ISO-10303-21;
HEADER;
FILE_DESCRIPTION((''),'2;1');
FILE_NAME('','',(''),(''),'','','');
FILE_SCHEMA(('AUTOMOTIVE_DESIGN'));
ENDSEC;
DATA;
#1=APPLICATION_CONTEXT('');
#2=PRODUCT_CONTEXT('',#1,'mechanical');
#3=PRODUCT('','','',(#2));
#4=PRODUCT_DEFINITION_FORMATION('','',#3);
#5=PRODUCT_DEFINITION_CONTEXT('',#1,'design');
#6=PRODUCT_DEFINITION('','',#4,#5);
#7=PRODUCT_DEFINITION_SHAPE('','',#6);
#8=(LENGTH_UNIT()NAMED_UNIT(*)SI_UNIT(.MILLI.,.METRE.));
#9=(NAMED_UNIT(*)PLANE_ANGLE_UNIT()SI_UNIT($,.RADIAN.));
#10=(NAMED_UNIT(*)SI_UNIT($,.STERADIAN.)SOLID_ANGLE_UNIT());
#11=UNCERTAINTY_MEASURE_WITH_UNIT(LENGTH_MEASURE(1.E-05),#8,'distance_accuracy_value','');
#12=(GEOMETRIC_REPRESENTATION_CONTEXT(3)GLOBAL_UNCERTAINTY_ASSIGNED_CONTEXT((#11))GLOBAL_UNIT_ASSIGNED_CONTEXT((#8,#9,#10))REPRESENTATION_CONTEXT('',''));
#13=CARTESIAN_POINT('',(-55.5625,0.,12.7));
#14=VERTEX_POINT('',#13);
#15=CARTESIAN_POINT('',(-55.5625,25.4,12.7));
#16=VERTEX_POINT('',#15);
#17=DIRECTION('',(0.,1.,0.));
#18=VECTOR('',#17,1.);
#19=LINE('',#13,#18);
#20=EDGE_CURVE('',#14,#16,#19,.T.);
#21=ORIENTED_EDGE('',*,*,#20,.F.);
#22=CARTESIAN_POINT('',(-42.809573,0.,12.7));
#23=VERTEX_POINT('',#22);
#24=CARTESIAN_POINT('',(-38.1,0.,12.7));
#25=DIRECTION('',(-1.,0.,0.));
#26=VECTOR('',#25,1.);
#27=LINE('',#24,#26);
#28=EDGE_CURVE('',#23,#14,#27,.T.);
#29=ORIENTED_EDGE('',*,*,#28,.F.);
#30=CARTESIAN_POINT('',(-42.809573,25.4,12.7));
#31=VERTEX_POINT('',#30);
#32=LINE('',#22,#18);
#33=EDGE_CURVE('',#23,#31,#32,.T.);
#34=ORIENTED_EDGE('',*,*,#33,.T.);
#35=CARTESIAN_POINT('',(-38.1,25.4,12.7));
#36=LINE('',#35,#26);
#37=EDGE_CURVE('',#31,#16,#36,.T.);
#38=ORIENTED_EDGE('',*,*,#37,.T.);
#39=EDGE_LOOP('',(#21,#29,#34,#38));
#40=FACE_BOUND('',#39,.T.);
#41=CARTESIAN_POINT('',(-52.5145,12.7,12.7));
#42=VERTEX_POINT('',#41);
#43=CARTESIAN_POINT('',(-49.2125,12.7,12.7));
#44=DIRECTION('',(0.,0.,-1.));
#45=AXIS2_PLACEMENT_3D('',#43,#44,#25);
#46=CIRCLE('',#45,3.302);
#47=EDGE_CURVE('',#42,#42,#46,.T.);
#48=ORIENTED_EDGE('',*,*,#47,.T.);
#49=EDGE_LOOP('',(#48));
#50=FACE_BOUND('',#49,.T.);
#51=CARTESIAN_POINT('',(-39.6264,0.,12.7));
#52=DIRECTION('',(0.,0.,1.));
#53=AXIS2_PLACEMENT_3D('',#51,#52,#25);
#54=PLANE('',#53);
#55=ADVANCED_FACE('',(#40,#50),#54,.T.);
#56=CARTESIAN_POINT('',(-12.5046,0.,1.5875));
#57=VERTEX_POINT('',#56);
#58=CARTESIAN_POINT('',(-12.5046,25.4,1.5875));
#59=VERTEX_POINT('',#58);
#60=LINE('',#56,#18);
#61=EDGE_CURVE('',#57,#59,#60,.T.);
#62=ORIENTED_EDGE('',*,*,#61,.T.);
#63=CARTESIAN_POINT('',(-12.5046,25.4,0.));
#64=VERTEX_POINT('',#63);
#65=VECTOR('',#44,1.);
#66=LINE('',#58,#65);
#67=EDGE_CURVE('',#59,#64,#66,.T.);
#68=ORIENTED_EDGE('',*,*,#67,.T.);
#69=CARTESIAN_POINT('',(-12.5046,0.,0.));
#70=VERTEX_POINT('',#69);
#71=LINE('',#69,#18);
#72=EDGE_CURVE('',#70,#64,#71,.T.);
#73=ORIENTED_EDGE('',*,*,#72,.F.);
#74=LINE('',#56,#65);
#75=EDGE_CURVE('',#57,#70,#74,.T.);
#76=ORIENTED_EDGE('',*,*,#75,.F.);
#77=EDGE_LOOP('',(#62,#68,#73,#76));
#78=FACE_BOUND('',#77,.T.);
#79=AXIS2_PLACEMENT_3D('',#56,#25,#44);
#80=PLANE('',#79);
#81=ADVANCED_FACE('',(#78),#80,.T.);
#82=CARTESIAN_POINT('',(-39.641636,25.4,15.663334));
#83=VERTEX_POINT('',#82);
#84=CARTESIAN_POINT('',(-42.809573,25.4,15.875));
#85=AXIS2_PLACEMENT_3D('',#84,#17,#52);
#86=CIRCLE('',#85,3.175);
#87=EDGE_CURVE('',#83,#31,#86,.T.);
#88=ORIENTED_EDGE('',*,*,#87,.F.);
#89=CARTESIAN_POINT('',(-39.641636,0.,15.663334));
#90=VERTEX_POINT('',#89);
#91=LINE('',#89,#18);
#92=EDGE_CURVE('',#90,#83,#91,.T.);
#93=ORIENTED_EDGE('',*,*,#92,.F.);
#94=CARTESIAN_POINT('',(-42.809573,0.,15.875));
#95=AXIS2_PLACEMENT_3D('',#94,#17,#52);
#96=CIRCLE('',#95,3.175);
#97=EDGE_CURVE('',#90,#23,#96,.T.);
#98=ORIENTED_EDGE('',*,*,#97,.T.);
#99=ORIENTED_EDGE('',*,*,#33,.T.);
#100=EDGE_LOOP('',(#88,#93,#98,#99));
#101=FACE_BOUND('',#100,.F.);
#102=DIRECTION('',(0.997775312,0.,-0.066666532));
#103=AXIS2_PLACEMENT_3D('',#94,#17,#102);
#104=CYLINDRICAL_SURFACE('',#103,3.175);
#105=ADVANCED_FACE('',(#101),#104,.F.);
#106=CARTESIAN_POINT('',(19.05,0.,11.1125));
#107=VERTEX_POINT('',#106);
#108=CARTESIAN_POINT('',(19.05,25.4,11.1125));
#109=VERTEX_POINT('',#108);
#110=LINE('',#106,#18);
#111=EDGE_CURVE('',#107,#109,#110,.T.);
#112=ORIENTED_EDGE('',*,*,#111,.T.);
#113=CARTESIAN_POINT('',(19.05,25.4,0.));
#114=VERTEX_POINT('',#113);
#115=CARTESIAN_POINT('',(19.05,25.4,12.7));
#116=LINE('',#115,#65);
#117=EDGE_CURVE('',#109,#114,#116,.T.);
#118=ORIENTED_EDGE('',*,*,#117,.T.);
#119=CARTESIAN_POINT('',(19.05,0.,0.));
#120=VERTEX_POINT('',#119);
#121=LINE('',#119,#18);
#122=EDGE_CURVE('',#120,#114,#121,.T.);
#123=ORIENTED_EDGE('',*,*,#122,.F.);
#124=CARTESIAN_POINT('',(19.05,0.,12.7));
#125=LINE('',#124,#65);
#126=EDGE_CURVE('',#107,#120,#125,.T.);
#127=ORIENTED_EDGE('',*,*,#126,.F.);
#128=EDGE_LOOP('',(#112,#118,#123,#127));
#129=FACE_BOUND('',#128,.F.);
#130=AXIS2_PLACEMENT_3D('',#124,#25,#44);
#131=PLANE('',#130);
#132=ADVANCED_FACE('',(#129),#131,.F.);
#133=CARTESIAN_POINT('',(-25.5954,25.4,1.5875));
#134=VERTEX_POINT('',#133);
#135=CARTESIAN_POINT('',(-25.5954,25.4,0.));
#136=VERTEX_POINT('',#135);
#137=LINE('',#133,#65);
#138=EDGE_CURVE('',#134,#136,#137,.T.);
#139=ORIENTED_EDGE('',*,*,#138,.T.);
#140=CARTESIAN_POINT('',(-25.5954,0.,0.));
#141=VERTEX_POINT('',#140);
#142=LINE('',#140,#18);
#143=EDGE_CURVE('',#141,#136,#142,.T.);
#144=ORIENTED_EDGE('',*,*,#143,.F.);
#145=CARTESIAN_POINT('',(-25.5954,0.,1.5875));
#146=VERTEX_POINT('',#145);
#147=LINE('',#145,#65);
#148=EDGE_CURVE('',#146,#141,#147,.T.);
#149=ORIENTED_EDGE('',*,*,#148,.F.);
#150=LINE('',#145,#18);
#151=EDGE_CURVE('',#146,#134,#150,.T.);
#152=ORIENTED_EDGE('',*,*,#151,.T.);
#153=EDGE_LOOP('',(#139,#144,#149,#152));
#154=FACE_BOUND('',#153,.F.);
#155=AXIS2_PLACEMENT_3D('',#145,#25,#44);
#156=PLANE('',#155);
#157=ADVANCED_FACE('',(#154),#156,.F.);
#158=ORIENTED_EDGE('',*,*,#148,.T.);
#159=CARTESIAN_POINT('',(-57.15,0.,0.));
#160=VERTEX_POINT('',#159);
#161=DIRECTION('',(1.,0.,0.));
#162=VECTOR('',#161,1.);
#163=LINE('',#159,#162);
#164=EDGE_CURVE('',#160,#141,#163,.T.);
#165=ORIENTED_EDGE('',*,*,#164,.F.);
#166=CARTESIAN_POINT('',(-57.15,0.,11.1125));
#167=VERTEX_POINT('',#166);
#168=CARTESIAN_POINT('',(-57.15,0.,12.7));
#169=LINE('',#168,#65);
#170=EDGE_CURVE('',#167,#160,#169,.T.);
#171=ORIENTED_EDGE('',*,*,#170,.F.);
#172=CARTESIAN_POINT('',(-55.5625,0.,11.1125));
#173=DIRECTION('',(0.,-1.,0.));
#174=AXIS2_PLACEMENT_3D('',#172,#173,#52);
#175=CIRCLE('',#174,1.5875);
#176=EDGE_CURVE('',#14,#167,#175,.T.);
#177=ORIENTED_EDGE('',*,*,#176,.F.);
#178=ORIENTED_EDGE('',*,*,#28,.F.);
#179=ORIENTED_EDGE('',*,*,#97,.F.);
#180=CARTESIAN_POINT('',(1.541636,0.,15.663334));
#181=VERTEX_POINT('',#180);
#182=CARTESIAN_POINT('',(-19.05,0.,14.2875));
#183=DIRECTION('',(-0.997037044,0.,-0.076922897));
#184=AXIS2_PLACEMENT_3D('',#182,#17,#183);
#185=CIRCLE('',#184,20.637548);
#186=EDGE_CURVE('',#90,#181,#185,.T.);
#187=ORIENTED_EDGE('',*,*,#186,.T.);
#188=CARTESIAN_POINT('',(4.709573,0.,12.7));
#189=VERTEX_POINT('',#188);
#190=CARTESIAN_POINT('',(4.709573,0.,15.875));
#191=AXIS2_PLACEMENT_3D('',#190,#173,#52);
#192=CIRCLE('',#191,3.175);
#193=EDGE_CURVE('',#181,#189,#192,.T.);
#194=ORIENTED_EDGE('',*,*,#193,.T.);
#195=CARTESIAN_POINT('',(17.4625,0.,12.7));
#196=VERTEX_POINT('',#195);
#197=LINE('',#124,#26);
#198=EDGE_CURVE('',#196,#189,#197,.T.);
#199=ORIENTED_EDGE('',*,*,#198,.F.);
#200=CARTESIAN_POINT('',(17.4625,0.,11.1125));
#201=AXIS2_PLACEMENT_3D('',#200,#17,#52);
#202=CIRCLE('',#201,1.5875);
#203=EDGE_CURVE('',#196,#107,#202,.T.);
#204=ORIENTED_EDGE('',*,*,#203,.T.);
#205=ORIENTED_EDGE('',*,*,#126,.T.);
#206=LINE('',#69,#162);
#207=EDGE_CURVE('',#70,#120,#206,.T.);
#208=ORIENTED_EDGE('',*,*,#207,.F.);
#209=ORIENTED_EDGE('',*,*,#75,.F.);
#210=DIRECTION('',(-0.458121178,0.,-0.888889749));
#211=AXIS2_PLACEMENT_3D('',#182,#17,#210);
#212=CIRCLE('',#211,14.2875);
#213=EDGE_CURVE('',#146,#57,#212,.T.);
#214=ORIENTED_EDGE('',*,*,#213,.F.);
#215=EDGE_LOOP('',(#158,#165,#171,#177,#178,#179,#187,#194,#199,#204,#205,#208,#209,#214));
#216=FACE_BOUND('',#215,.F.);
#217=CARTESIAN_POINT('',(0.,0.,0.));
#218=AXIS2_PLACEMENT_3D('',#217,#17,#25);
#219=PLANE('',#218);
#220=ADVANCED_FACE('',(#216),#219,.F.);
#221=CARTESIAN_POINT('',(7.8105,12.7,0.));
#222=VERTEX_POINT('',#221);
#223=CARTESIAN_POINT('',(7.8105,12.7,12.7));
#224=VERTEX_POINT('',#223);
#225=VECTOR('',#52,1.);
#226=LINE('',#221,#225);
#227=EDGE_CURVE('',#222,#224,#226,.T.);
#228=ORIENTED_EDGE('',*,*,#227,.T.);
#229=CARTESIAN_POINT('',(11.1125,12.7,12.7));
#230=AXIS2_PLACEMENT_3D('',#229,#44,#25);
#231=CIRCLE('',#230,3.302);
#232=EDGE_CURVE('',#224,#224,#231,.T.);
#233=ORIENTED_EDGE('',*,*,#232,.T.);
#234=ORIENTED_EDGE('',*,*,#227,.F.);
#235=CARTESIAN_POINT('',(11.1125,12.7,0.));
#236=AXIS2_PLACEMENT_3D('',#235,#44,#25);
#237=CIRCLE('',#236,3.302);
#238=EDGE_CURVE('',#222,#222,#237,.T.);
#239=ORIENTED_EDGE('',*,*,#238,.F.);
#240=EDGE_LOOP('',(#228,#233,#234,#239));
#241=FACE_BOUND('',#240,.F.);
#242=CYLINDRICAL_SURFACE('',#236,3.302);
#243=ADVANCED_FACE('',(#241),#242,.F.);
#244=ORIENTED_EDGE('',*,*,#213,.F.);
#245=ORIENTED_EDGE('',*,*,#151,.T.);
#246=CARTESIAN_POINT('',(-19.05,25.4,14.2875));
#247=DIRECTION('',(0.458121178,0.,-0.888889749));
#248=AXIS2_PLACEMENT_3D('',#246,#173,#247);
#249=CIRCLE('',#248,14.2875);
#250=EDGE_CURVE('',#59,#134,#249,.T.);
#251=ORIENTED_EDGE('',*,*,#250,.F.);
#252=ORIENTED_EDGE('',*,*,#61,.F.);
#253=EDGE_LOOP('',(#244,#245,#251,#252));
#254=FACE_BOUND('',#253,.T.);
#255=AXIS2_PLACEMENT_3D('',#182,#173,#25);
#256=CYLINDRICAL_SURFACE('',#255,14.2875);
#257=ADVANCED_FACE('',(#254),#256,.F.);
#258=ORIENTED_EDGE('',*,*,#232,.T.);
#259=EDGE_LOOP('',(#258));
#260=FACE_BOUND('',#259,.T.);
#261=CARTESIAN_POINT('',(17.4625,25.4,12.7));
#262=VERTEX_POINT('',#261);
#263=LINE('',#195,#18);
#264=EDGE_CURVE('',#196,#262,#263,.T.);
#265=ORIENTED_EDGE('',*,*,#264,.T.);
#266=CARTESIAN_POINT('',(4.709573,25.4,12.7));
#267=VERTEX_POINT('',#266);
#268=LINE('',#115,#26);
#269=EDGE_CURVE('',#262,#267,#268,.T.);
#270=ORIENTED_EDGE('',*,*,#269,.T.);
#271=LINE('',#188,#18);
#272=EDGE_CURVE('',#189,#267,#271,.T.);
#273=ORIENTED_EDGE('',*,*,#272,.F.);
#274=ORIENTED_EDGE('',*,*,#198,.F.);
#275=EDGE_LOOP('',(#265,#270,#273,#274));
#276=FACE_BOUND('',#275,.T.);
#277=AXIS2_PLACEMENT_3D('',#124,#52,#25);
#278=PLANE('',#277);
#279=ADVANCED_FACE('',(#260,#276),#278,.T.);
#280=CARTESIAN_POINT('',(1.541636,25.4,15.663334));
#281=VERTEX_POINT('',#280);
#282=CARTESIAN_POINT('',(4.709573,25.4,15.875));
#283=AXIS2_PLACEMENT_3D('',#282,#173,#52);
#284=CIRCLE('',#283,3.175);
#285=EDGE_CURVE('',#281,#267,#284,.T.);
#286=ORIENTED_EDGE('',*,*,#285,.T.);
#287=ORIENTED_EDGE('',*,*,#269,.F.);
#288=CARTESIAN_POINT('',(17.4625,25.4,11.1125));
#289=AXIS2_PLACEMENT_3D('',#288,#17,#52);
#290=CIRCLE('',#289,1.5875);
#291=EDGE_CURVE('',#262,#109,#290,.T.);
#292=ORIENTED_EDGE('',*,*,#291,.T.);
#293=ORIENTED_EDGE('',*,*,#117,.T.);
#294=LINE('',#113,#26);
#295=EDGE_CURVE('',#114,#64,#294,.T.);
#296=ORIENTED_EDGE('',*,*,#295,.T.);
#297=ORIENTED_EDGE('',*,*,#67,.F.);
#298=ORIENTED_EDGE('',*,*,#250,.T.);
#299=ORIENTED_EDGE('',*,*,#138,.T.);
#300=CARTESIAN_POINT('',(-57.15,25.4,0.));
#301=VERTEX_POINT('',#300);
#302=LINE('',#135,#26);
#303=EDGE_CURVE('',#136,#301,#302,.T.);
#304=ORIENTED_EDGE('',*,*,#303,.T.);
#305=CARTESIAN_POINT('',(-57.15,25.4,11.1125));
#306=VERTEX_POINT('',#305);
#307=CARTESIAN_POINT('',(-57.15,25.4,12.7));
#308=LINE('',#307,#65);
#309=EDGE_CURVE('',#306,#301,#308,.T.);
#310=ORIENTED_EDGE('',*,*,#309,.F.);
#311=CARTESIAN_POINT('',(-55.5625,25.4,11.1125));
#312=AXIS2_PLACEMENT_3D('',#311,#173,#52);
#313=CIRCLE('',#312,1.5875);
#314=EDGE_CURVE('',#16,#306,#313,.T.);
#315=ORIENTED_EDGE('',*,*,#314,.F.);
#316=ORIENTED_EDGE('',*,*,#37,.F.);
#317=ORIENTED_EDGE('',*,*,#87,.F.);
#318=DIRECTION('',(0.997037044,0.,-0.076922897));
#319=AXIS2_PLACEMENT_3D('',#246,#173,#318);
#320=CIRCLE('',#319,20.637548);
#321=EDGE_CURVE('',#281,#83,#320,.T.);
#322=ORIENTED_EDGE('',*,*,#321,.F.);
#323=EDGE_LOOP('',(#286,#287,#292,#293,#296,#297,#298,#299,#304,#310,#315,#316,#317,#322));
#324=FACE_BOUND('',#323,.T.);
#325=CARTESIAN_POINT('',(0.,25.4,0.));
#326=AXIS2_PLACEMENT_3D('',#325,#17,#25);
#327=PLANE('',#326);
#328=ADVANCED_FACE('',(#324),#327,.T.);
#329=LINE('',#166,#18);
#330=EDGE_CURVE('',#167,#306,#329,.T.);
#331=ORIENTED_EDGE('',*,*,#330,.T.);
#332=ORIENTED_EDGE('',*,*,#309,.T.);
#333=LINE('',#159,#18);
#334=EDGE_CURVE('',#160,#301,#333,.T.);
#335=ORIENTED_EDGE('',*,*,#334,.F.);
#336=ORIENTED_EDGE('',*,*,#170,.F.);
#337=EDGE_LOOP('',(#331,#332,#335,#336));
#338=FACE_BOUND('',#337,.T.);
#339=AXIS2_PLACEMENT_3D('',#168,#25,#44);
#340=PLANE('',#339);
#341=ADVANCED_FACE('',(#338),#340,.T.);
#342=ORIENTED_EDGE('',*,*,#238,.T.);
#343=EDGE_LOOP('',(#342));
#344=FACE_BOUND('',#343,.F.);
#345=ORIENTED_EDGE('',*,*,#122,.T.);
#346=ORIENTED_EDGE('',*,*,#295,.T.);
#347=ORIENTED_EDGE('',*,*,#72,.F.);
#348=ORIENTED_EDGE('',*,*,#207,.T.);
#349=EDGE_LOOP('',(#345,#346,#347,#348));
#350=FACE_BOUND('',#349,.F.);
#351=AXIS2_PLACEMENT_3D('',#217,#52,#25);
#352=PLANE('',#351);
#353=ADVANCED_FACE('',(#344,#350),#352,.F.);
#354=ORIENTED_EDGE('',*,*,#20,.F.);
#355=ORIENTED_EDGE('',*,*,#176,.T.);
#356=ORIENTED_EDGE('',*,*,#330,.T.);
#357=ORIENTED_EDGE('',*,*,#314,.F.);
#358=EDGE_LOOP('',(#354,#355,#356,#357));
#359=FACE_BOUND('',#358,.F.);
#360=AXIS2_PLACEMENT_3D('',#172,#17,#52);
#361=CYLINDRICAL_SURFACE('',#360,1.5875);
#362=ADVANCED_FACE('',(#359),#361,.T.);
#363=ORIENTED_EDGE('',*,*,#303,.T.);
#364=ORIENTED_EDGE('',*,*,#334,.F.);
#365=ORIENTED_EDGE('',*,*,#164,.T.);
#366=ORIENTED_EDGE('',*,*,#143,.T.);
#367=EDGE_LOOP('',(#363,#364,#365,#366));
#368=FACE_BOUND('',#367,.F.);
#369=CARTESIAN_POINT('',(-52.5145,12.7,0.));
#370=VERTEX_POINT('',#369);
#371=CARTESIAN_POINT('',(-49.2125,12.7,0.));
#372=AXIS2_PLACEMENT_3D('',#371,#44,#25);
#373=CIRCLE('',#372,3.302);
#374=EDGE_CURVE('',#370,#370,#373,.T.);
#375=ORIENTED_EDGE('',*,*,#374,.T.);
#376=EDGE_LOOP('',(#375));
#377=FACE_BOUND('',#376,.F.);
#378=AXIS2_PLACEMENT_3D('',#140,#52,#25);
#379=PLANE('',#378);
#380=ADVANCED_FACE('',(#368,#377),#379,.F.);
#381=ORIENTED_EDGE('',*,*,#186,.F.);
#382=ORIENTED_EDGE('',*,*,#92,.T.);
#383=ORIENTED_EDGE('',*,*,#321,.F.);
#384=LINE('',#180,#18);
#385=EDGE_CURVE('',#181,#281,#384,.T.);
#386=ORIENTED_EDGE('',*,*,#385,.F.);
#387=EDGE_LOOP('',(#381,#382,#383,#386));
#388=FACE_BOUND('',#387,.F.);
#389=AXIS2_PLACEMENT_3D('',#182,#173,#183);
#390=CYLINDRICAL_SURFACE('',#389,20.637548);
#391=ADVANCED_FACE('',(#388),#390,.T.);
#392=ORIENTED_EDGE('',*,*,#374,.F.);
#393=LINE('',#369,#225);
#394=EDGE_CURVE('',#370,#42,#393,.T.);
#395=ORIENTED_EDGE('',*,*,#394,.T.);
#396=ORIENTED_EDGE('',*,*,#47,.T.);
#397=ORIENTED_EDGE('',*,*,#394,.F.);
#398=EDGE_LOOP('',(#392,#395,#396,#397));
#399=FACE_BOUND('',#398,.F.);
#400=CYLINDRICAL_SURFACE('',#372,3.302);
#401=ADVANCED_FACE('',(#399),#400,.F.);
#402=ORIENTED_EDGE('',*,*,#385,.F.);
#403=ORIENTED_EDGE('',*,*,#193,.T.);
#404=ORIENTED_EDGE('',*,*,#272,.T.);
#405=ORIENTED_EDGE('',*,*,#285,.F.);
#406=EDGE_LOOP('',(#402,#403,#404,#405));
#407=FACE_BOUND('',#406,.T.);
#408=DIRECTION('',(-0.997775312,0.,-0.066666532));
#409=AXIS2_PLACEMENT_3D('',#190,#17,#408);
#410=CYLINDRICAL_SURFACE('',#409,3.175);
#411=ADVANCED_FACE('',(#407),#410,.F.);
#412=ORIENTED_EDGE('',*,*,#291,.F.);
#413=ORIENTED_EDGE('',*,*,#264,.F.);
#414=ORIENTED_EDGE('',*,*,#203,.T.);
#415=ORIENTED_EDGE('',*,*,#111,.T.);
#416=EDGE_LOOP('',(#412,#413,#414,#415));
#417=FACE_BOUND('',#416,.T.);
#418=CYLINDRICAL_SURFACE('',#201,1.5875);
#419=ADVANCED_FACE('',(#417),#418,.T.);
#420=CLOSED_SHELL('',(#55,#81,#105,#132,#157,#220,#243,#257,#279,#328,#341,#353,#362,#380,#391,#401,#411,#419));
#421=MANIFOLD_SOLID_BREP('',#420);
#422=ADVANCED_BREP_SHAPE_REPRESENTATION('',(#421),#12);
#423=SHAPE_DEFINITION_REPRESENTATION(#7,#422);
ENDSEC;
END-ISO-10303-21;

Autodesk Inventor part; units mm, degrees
ref_plane "YZ Plane" through (0, 0, 0) normal (1, 0, 0) x (0, 1, 0)
ref_plane "XZ Plane" through (0, 0, 0) normal (0, 1, 0) x (-1, 0, 0)
ref_plane "XY Plane" through (0, 0, 0) normal (0, 0, 1) x (1, 0, 0)
sketch "Sketch1" plane through (0, 0, 0) normal (0, 1, 0) x (-1, 0, 0)
  line L0 (0, 0) -> (38.1, 0)
  line L1 (38.1, 0) -> (38.1, 34.925)
  line L2 (38.1, 34.925) -> (0, 34.925)
  line L3 (0, 34.925) -> (0, 0)
  line L4 (19.05, 34.925) -> (19.05, 0) construction
  line L5 (-19.05, 12.7) -> (-19.05, 0)
  line L6 (-19.05, 0) -> (0, 0)
  line L7 (57.15, 12.7) -> (57.15, 0)
  line L8 (57.15, 0) -> (38.1, 0)
  line L9 (-19.05, 12.7) -> (0, 12.7)
  line L10 (38.1, 12.7) -> (57.15, 12.7)
  line L11 (0, 14.2875) -> (38.1, 14.2875) construction
  circle A0 centre (19.05, 14.2875) radius 14.2875
  line L12 (12.5046, 1.5875) -> (12.5046, 0)
  line L13 (25.5954, 1.5875) -> (25.5954, 0)
  arc A1 (39.6264, 12.7) -> (-1.5264, 12.7) centre (19.05, 14.2875) ccw
  point P0 (0, 22.225)
  point P1 (38.1, 22.225)
  dimension "d0" = 38.1
  dimension "d1" = 34.925
  dimension "d9" = 12.7
  dimension "d10" = 19.05
  dimension "d11" = 19.05
  dimension "d12" = 12.7
  dimension "d21" = 28.575
  dimension "d22" = 14.2875
  dimension "d34" = 1.5875
extrude "Extrusion1" add sketch "Sketch1" along normal blind 25.4 contours L3 A1 L1 L0 L13 A0 L12 | L6 L5 L9 L3 | L9 A1 L3 | L1 L10 L7 L8 | A1 L10 L1
fillet "Fillet1" radius 3.175 2 edges at (-39.6264, 12.7, 12.7) (1.5264, 12.7, 12.7)
fillet "Fillet1" radius 1.5875 2 edges at (19.05, 12.7, 12.7) (-57.15, 12.7, 12.7)
sketch "Sketch2" plane through (19.05, 25.4, 0) normal (0, 0, -1) x (-1, 0, 0)
  line L0 (14.3405, 0) -> (1.5875, 0) construction
  line L1 (74.6125, 0) -> (61.8595, 0) construction
  circle A0 centre (7.9375, -12.7) radius 3.302
  circle A1 centre (68.2625, -12.7) radius 3.302
  line L2 (74.6125, -25.4) -> (61.8595, -25.4) projected
  line L3 (14.3405, -25.4) -> (1.5875, -25.4) projected
  line L4 (74.6125, -25.4) -> (74.6125, 0) construction
  line L5 (1.5875, 0) -> (1.5875, -25.4) construction
  line L6 (0, -12.7) -> (76.2, -12.7) construction
  line L7 (38.1, 0) -> (38.1, -25.4) construction
  line L8 (23.8125, 0) -> (52.3875, 0) projected
  line L9 (23.8125, -25.4) -> (52.3875, -25.4) projected
  line L10 (0, -25.4) -> (0, 0) projected
  line L11 (76.2, -25.4) -> (76.2, 0) projected
  line L12 (61.8595, 0) -> (61.8595, -25.4) projected
  line L13 (14.3405, -25.4) -> (14.3405, 0) projected
  point P0 (31.5546, 0)
  point P1 (31.5546, -25.4)
  point P2 (38.1, 0)
  dimension "d15" = 6.604
  dimension "d16" = 6.604
  dimension "d24" = 30.1625
  dimension "d25" = 30.1625
  dimension "d26" = 60.325
extrude "Extrusion3" cut sketch "Sketch2" against normal through all
sketch "Sketch5" plane through (-25.5954, 0, 0) normal (0, 0, -1) x (-1, 0, 0)
  line L0 (-44.6454, 0) -> (-44.6454, 25.4) projected
  line L1 (31.5546, 0) -> (31.5546, 25.4) projected
  circle A0 centre (23.6171, 12.7) radius 3.302 projected
  circle A1 centre (-36.7079, 12.7) radius 3.302 projected
  line L2 (-44.6454, 25.4) -> (31.5546, 25.4)
  line L3 (-44.6454, 0) -> (31.5546, 0)
equation "\"d9\" = d12"
equation "\"d11\" = d10"
equation "\"d15\" = d16"
equation "\"d25\" = d24"
properties part number "Bearing Block V1.500 Drivetrain" material "Aluminum 6061"
